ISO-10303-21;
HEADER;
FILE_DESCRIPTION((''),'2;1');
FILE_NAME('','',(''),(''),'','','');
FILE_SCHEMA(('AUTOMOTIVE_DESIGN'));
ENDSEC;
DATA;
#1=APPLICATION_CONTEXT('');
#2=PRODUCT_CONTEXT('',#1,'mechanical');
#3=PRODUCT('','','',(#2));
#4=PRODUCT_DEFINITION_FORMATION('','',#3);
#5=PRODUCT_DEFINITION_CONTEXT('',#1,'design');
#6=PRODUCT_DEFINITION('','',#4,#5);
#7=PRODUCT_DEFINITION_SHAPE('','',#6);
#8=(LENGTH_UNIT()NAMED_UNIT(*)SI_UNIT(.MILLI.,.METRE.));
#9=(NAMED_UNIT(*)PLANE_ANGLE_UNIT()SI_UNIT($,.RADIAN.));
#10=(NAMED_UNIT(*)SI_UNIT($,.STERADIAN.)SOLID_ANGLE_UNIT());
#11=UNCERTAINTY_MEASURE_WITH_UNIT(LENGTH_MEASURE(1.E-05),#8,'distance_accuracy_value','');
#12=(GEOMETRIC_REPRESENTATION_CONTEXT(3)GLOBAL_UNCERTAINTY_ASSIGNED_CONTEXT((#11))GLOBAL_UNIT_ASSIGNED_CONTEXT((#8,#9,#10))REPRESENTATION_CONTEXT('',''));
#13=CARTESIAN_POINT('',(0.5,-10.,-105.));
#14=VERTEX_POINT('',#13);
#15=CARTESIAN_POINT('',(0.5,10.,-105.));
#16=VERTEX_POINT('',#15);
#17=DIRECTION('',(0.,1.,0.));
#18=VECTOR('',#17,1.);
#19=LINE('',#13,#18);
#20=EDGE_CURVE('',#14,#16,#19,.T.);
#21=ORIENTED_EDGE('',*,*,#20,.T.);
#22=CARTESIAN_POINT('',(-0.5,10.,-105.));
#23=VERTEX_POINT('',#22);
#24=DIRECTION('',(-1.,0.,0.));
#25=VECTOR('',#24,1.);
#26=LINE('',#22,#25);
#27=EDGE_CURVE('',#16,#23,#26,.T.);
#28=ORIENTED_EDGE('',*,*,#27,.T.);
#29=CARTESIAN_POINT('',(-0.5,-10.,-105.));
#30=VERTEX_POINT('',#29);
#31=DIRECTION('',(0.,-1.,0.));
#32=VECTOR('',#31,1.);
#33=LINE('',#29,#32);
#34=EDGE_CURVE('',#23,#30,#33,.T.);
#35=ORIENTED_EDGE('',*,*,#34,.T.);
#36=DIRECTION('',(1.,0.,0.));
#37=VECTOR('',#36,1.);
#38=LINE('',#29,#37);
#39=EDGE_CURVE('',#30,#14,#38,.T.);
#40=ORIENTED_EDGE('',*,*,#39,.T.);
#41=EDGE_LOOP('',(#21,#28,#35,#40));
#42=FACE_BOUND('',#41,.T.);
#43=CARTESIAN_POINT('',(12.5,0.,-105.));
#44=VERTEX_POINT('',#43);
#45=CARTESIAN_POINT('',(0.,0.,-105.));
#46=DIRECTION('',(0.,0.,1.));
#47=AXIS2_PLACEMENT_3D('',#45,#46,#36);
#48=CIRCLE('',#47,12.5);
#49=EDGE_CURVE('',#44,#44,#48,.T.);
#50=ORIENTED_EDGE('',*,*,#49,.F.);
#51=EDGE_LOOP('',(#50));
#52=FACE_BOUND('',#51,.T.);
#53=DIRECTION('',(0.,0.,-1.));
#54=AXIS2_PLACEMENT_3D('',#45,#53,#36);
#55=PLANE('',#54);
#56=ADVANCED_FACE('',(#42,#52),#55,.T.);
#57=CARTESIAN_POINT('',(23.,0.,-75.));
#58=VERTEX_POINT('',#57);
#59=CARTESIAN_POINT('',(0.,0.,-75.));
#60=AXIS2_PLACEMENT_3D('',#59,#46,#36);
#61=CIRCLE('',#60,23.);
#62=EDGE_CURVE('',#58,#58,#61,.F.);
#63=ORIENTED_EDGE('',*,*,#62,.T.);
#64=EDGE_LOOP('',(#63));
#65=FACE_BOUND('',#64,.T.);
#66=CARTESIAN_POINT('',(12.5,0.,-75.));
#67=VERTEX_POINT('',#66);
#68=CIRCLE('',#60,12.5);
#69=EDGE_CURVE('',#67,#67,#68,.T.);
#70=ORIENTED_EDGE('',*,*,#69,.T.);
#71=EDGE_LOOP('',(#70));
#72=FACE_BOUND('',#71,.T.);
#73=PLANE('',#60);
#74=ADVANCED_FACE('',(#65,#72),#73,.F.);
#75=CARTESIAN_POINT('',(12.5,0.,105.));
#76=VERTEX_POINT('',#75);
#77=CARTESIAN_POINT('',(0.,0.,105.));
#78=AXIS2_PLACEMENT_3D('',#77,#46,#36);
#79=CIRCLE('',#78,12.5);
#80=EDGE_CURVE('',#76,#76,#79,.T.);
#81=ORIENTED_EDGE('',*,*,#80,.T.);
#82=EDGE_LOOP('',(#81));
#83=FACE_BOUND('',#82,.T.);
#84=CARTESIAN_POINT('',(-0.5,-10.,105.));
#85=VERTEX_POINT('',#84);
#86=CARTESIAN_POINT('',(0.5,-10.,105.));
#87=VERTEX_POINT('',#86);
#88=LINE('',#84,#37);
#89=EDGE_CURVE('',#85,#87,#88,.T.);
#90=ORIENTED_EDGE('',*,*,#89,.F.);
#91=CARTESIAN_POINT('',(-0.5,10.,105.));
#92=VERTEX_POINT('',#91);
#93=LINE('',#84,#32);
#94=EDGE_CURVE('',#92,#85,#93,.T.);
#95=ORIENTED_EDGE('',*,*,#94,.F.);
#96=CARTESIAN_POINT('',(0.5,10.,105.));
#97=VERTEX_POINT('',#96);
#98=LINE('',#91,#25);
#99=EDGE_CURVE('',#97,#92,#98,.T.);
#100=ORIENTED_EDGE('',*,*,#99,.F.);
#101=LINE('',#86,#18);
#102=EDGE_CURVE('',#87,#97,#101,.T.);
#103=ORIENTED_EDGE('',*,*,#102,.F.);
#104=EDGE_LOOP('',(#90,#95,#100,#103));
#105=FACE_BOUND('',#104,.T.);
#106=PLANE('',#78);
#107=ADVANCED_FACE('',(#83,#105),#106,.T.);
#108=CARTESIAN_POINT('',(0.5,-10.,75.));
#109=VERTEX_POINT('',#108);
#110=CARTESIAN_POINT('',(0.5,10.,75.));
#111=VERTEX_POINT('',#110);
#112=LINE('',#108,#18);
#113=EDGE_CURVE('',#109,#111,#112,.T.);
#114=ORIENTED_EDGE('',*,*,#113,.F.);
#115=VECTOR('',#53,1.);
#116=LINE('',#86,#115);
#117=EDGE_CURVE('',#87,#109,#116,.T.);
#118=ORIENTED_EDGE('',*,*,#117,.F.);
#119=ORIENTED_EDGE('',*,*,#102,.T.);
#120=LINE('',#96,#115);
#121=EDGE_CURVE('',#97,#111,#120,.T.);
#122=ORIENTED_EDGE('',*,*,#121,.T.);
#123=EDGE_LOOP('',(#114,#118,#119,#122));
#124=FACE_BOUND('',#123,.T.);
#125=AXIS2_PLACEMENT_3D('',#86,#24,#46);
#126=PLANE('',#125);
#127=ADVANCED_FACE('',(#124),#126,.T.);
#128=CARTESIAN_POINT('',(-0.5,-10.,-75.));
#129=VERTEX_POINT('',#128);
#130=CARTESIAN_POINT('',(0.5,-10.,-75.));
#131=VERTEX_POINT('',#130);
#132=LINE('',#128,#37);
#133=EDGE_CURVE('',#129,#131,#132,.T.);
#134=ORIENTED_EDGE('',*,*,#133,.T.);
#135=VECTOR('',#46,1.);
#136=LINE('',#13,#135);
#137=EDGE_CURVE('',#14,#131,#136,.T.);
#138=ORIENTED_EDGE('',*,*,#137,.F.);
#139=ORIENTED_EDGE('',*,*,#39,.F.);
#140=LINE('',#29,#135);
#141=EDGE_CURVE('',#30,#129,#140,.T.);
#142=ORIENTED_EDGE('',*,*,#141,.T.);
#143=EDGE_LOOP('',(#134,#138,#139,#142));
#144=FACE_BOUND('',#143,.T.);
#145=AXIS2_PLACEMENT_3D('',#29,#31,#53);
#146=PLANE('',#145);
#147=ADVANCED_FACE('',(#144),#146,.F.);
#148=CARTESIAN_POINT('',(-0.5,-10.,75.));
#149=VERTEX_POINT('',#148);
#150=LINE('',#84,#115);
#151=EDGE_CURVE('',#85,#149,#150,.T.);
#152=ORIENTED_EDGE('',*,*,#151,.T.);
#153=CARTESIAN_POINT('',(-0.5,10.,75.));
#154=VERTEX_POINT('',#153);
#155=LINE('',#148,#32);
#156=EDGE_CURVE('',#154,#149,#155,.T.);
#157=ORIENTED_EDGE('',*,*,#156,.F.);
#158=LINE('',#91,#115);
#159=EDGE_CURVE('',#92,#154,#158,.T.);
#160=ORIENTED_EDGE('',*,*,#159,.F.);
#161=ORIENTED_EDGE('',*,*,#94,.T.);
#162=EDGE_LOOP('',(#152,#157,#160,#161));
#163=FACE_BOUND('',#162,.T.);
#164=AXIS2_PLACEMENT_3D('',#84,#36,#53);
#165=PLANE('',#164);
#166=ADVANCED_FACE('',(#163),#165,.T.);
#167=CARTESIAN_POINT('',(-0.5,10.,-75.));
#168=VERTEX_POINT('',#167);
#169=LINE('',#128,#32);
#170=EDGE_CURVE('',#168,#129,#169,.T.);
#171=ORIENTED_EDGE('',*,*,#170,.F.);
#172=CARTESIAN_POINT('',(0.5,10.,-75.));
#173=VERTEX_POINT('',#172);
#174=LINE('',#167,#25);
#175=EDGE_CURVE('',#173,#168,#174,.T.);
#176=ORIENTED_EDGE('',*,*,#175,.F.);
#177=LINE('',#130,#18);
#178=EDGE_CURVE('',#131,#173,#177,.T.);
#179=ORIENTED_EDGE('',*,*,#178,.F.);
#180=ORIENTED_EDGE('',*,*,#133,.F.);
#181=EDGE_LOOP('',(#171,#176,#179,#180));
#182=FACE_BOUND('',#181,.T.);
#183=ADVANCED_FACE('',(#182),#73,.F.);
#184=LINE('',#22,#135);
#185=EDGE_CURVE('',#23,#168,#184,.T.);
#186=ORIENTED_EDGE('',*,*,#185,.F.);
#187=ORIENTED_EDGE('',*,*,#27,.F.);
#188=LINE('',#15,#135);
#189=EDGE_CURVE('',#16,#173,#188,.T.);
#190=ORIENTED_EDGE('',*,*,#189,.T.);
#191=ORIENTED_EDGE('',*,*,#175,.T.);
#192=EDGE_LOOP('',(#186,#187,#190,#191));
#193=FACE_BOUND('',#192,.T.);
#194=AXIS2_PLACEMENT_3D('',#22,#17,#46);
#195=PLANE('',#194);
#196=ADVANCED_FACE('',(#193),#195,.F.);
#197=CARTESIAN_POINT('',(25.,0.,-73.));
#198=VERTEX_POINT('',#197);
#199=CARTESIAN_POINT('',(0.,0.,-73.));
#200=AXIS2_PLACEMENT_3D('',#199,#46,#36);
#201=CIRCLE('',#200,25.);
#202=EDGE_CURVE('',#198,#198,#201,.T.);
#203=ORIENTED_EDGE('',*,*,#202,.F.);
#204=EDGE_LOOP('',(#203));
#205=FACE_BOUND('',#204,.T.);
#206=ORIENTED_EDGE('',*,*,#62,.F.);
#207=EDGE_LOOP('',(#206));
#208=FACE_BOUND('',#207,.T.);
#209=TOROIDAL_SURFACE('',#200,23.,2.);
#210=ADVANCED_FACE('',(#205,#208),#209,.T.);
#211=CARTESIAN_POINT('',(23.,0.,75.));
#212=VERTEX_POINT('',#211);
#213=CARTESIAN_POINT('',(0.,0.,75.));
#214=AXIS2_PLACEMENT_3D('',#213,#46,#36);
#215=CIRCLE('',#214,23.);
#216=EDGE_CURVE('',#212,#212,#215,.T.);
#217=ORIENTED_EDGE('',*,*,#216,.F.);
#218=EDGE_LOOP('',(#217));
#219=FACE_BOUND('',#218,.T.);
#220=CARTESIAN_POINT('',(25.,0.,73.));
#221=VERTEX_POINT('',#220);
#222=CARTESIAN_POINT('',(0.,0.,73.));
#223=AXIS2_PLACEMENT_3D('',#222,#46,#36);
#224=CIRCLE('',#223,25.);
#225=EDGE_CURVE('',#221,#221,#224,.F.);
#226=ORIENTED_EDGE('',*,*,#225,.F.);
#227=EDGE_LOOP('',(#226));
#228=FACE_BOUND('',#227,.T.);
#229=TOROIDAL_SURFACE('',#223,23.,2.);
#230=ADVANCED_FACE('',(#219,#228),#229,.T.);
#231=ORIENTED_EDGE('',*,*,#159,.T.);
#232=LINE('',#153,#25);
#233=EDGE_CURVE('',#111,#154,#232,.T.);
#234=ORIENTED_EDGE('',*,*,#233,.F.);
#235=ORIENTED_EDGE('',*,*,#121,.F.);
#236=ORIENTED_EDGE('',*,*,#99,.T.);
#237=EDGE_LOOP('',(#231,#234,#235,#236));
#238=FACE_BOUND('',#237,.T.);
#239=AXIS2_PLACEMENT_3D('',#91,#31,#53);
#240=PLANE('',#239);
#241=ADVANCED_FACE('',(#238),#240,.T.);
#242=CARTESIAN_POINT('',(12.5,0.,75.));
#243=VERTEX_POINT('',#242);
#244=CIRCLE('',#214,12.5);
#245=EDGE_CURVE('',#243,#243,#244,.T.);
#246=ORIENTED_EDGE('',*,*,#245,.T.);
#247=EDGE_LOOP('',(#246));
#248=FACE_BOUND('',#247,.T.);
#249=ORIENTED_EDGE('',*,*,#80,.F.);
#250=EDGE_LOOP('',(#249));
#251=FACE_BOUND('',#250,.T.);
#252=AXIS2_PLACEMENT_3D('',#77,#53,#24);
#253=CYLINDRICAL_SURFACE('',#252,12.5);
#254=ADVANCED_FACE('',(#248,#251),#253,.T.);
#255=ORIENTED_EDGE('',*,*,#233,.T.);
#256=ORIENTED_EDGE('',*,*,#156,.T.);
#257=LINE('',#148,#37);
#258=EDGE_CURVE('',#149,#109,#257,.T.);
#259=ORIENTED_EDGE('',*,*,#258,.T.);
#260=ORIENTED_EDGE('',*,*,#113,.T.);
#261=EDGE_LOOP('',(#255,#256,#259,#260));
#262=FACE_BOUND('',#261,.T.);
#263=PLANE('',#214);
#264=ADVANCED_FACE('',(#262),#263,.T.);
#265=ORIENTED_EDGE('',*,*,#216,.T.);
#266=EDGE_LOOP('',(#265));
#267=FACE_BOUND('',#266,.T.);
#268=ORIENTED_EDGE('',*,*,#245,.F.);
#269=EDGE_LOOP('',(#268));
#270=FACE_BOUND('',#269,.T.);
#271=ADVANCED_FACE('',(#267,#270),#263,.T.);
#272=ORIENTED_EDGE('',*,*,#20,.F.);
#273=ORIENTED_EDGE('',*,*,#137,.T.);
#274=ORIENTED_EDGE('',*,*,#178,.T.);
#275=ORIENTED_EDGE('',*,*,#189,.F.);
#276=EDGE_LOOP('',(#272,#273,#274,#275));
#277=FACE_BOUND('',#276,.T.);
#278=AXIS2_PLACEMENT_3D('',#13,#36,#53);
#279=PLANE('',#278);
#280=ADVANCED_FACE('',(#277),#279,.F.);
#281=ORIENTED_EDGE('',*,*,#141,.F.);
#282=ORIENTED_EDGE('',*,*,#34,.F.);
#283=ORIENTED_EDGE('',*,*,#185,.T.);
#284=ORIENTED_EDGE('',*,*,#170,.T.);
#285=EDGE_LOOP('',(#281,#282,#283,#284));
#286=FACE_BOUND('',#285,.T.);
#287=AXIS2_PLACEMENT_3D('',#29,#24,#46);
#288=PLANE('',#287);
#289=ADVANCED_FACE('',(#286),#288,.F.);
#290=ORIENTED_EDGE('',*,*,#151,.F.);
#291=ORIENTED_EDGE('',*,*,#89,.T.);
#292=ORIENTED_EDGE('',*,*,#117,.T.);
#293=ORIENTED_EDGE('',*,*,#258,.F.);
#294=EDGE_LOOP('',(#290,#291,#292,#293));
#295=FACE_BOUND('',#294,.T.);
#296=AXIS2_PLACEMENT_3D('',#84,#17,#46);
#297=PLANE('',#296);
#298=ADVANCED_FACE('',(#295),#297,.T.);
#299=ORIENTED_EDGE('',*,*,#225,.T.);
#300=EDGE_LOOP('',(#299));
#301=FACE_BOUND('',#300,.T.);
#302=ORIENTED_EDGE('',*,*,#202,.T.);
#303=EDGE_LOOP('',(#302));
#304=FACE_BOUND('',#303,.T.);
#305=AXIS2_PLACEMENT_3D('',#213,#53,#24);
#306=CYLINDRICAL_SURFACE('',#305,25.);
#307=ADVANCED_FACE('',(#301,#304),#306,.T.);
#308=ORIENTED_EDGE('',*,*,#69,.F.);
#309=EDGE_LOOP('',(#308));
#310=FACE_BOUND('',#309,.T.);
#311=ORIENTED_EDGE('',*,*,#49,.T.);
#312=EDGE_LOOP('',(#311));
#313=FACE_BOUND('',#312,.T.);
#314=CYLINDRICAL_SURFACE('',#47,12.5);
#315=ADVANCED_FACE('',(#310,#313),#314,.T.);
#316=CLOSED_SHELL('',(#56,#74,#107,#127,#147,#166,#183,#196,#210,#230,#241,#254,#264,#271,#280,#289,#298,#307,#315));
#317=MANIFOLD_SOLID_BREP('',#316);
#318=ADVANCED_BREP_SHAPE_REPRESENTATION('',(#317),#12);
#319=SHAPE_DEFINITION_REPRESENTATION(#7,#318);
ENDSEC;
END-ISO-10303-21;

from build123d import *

# Parameters (mm, degrees)
SKETCH1_R           = 25
BOSS_EXTRUDE2_DEPTH = 75
SKETCH2_R           = 12.5
SKETCH2_W           = 1
SKETCH2_H           = 20
BOSS_EXTRUDE3_DEPTH = 30
FILLET2_R           = 2


with BuildPart() as part:
    # Sketch1 → Boss-Extrude2 (new body, symmetric)
    with BuildSketch(Plane.XY):
        Circle(SKETCH1_R)
    extrude(amount=BOSS_EXTRUDE2_DEPTH, both=True)

    # Sketch2 → Boss-Extrude3 (add)
    with BuildSketch(Plane.XY.offset(75)):
        Circle(SKETCH2_R)
        Rectangle(SKETCH2_W, SKETCH2_H, mode=Mode.SUBTRACT)
    boss_extrude3 = extrude(amount=BOSS_EXTRUDE3_DEPTH)

    # Mirror1: Boss-Extrude3 across plane
    add(boss_extrude3.mirror(Plane.XY))

    # Fillet2
    fillet2_edges = [part.edges().sort_by_distance(p)[0] for p in [
        (-25, 0, -75),
        (-25, 0, 75),
    ]]
    fillet(fillet2_edges, radius=FILLET2_R)


solid = part.part
